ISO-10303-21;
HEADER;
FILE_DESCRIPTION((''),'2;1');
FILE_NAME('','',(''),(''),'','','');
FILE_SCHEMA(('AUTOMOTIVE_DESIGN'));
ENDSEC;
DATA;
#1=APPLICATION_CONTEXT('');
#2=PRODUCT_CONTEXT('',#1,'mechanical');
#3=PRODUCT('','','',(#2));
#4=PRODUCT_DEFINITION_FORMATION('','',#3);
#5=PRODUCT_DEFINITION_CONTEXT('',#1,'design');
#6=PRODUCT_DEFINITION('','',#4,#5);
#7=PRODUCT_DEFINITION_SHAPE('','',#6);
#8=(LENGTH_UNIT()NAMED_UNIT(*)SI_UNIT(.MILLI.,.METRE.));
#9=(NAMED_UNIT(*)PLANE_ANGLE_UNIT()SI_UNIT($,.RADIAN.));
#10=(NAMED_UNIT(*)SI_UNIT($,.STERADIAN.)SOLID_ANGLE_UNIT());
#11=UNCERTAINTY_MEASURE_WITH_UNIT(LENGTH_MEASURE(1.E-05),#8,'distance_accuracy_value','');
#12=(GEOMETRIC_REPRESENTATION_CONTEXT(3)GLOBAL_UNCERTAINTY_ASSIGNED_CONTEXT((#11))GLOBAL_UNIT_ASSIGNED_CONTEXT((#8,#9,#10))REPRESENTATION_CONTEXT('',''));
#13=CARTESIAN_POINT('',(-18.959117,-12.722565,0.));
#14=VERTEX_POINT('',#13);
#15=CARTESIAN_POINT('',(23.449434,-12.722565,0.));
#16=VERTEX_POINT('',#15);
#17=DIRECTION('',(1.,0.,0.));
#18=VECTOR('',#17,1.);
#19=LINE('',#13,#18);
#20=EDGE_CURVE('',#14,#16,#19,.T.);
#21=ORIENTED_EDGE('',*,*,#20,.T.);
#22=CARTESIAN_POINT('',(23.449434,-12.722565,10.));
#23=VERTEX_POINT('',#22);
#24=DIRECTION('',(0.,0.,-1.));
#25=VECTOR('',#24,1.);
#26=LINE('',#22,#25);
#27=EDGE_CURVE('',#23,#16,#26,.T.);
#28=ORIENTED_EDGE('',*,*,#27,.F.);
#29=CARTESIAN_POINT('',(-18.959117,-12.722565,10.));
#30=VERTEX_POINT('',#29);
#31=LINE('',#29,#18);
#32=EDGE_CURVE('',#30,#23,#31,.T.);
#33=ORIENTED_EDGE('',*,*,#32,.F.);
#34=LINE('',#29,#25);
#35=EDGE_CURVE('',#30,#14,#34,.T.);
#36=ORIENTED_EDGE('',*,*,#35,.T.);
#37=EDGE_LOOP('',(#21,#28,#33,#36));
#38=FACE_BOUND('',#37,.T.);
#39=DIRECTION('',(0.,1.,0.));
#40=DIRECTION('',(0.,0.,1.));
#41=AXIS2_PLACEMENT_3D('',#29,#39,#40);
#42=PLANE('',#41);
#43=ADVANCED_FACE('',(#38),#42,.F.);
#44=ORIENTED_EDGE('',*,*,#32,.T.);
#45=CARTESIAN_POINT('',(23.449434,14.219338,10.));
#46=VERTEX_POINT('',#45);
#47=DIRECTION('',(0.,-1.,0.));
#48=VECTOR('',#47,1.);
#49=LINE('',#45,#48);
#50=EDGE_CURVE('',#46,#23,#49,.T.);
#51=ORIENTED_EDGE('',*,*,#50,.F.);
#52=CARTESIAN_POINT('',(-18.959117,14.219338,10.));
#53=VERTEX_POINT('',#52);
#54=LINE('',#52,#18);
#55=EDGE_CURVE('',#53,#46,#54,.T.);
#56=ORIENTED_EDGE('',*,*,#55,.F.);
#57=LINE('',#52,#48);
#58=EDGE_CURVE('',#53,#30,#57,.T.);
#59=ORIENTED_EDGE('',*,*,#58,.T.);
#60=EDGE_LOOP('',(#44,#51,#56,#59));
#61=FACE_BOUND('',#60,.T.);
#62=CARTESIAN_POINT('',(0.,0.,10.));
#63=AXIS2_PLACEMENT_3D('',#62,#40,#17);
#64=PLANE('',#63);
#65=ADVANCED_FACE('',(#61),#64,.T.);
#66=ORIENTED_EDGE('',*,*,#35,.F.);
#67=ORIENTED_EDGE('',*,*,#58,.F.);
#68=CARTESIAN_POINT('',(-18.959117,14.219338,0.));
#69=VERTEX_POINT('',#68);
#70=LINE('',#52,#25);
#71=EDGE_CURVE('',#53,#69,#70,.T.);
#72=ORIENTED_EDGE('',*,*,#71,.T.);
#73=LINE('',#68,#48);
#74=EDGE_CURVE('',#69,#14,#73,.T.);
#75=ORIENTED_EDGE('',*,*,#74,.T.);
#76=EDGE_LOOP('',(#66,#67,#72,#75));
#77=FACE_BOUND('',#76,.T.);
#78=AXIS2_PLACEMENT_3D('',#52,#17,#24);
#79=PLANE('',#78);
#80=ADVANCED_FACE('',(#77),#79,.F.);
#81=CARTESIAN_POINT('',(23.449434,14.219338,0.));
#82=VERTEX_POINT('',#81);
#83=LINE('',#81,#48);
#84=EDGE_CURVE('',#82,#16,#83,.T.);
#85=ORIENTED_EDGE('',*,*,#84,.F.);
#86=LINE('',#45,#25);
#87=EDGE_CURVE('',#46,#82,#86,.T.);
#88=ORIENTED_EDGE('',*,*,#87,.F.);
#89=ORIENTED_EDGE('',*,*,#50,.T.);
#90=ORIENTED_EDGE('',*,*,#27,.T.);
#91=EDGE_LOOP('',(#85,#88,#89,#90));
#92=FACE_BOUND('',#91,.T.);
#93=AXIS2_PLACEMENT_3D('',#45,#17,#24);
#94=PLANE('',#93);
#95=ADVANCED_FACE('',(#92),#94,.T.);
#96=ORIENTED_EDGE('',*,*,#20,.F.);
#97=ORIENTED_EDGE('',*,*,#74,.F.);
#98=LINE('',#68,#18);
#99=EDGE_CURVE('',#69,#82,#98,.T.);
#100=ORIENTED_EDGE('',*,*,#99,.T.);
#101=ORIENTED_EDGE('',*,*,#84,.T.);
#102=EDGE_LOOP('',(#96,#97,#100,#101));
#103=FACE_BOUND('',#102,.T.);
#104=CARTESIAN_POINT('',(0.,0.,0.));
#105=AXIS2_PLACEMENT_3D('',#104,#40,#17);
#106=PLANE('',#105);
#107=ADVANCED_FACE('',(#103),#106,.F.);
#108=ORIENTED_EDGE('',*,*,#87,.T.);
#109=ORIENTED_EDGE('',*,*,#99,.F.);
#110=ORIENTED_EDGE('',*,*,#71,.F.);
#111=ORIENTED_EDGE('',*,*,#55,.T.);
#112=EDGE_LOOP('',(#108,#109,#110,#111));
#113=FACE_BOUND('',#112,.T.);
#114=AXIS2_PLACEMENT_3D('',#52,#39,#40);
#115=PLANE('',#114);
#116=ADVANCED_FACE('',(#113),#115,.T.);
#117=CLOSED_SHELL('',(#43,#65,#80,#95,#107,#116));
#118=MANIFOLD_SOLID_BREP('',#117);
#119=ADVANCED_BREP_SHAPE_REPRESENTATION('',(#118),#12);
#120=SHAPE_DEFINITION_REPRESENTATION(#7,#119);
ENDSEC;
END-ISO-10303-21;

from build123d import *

# Parameters (mm, degrees)
SKETCH_1_W      = 42.408551548
SKETCH_1_H      = 26.941903336
EXTRUDE_1_DEPTH = 10


with BuildPart() as part:
    # 草图1 → 凸台-拉伸1 (new body)
    with BuildSketch(Plane.XY):
        with Locations((2.245158611, 0.748386204)):
            Rectangle(SKETCH_1_W, SKETCH_1_H)
    extrude(amount=EXTRUDE_1_DEPTH)


solid = part.part
